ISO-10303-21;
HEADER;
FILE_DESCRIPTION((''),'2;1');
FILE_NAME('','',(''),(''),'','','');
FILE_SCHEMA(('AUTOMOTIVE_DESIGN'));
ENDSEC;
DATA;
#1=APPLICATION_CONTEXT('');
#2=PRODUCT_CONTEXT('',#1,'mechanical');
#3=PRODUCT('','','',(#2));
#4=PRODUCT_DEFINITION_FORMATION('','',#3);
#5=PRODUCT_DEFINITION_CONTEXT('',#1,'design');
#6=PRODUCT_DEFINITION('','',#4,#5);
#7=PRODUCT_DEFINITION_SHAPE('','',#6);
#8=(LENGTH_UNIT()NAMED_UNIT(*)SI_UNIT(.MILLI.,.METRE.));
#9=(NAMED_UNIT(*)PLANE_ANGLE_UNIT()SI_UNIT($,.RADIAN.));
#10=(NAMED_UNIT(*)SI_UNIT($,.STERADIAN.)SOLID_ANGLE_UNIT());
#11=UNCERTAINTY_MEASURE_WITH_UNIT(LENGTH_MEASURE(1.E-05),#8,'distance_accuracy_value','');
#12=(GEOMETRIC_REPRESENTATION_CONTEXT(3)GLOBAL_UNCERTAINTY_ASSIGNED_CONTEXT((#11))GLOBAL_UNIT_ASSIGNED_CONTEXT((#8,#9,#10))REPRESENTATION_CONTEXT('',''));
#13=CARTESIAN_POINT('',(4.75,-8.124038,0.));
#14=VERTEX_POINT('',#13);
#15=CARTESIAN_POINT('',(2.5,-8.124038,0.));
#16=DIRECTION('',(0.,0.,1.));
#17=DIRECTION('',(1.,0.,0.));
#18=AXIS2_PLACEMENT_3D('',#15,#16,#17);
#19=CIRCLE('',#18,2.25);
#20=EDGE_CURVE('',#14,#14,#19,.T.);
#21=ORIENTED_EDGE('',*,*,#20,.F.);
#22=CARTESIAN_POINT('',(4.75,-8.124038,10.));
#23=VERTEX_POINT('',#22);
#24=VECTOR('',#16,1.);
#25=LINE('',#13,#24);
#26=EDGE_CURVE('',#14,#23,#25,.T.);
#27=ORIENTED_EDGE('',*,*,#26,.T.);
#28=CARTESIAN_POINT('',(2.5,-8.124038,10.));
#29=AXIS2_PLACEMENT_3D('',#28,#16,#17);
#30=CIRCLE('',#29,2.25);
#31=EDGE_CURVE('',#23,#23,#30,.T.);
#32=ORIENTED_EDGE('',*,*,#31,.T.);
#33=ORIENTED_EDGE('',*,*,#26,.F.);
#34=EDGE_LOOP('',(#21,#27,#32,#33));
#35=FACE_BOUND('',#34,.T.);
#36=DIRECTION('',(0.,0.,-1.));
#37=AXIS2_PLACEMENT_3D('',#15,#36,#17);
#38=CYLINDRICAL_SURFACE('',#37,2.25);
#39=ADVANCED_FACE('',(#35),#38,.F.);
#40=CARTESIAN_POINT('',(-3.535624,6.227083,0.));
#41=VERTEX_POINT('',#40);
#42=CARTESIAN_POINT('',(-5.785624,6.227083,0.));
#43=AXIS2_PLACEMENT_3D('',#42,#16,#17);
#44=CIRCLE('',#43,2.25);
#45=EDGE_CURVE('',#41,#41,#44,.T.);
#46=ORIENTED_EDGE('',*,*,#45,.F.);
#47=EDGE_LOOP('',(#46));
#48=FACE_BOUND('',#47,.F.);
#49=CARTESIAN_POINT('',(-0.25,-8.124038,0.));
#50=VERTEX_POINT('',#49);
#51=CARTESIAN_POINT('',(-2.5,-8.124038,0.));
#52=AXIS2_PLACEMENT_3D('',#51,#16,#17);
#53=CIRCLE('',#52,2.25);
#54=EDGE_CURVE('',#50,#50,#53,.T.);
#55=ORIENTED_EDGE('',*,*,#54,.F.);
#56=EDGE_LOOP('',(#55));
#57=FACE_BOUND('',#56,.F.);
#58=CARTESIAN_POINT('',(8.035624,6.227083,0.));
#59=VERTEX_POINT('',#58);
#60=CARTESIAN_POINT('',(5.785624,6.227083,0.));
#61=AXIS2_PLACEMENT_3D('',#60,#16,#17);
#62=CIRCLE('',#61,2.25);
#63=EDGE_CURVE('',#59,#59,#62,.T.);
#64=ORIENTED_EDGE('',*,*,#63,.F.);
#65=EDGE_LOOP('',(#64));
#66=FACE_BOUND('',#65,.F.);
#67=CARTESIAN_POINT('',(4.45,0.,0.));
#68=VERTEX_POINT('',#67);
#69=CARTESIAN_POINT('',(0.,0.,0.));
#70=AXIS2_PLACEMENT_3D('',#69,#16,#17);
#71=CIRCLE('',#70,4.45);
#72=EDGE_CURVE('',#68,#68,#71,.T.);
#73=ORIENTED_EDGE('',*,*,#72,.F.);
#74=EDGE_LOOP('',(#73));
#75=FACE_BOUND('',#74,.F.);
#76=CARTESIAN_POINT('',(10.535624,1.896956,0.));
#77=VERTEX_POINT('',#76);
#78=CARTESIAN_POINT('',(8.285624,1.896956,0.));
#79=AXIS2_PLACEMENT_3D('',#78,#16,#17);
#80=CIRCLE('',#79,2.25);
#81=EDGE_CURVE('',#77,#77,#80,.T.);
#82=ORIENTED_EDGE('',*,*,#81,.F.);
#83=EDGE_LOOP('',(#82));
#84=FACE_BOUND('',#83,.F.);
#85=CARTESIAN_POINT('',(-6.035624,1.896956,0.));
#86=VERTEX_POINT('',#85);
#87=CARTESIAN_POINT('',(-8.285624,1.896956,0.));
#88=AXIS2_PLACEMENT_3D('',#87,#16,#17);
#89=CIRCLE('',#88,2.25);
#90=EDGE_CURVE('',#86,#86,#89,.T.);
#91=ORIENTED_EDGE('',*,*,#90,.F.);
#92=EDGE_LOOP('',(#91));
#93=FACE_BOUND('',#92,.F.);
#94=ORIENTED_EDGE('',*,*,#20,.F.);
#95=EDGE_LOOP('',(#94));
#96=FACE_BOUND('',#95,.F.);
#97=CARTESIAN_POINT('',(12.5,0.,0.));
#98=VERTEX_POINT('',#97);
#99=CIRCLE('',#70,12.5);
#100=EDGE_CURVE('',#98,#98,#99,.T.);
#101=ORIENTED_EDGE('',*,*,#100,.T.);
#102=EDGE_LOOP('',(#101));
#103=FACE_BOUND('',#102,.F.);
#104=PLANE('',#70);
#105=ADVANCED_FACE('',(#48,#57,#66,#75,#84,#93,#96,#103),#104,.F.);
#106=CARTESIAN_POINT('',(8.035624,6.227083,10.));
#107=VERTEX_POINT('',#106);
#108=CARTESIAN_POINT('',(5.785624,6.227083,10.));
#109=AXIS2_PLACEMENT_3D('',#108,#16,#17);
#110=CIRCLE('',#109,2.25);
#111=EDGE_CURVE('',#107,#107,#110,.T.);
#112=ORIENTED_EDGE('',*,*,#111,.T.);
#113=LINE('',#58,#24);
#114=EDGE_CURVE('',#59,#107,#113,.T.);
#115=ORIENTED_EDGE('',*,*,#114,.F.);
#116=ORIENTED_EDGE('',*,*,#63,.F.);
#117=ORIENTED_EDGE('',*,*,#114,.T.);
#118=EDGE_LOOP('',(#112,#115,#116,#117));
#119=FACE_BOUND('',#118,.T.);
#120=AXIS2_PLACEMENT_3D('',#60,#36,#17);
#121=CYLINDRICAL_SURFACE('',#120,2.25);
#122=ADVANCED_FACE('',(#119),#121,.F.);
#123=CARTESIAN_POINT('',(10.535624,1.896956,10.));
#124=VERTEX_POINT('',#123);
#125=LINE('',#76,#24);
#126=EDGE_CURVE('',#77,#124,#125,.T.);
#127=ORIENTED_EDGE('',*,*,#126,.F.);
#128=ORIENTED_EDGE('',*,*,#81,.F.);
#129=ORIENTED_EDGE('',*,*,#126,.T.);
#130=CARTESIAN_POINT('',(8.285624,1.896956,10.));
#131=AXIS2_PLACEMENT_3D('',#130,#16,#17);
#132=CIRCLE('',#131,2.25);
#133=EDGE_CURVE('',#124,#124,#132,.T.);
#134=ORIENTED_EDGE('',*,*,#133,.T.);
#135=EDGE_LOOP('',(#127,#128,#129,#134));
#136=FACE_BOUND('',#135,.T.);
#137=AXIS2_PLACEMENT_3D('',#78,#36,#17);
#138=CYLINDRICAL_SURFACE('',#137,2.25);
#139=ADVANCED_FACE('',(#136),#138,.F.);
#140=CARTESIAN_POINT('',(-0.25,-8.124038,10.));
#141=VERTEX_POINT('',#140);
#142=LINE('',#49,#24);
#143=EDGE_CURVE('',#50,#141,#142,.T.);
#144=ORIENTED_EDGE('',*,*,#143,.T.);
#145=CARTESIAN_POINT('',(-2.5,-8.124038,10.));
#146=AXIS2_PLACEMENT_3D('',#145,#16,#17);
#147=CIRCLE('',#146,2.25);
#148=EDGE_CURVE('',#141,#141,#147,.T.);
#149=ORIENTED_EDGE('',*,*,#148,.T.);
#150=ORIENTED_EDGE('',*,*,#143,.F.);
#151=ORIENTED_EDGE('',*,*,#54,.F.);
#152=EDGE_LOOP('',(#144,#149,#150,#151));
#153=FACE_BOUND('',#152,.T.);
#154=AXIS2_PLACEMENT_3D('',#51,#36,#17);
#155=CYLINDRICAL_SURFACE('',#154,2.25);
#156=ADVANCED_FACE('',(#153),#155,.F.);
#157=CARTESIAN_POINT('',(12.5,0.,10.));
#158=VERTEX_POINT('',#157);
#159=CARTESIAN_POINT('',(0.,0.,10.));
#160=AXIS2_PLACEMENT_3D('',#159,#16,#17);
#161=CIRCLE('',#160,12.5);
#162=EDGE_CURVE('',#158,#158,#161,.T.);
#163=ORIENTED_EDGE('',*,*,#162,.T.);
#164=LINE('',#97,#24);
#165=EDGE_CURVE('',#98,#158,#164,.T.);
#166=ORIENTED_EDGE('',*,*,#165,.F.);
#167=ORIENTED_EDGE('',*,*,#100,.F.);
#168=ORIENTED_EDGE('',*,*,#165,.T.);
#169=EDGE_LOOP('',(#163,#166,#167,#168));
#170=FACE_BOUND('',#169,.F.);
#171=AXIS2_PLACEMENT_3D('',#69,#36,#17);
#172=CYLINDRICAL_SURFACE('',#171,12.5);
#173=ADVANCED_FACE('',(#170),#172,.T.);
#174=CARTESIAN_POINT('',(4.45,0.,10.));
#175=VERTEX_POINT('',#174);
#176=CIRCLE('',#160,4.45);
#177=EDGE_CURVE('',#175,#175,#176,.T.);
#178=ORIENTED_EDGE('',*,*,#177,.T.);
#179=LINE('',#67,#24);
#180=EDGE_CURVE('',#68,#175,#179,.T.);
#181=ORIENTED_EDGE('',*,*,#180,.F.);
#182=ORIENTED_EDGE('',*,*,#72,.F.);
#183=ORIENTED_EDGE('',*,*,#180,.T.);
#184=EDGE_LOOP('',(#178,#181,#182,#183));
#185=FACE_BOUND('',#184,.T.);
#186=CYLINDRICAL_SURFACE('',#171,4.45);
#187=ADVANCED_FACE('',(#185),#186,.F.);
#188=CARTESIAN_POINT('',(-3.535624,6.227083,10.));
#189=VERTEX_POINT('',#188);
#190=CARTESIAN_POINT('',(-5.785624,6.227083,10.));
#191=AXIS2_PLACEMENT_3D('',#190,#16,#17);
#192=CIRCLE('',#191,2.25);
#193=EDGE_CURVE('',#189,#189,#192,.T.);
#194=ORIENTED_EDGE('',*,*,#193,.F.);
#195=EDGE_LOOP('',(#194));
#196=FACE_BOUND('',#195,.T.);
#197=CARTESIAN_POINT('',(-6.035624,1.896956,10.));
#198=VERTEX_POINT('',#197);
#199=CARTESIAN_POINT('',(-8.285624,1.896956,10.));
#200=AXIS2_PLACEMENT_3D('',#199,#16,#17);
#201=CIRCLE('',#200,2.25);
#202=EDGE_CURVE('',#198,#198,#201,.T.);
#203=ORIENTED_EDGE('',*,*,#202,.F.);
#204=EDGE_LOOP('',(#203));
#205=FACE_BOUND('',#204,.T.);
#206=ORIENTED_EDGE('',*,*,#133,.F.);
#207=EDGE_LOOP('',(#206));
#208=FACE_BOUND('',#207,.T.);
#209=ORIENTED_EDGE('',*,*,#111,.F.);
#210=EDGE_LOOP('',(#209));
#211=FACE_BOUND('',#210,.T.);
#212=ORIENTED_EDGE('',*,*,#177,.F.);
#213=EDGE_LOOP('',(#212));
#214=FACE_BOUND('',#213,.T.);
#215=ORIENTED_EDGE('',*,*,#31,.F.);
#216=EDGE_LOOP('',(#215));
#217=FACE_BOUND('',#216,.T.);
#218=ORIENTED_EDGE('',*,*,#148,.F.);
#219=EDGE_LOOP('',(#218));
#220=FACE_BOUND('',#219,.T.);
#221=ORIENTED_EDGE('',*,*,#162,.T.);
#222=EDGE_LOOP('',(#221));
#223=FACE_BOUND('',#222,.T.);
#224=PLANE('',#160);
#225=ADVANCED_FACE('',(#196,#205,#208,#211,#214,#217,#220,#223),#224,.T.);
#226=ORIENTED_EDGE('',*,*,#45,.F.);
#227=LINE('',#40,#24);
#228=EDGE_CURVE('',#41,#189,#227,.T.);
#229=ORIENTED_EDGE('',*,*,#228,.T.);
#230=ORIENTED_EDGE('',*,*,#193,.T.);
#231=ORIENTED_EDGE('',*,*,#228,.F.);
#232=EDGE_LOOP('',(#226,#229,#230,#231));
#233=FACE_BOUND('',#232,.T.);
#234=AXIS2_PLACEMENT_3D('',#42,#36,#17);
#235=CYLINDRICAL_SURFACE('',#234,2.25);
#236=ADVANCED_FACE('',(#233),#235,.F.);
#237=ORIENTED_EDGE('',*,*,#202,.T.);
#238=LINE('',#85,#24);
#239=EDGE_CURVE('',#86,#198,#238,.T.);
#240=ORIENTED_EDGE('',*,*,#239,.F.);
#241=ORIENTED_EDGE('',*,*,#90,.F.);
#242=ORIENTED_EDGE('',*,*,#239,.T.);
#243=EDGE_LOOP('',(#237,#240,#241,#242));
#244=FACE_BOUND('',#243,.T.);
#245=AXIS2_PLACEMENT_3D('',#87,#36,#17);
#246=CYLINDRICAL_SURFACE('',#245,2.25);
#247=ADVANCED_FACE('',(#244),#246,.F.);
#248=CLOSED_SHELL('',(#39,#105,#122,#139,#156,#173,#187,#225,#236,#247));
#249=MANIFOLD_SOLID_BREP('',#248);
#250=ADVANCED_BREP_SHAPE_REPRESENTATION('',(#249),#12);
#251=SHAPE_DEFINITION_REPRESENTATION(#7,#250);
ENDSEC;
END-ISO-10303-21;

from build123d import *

# Parameters (mm, degrees)
F0_R     = 12.5
F0_R_2   = 2.25
F0_R_3   = 4.45
F1_DEPTH = 10


with BuildPart() as f1:
    # F0 (on Top) → F1 (new body)
    with BuildSketch(Plane.XY):
        Circle(F0_R)
        with Locations((-2.5, -8.124038)):
            Circle(F0_R_2, mode=Mode.SUBTRACT)
        with Locations((2.5, -8.124038)):
            Circle(F0_R_2, mode=Mode.SUBTRACT)
        with Locations((-8.285624, 1.896956)):
            Circle(F0_R_2, mode=Mode.SUBTRACT)
        with Locations((-5.785624, 6.227083)):
            Circle(F0_R_2, mode=Mode.SUBTRACT)
        Circle(F0_R_3, mode=Mode.SUBTRACT)
        with Locations((5.785624, 6.227083)):
            Circle(F0_R_2, mode=Mode.SUBTRACT)
        with Locations((8.285624, 1.896956)):
            Circle(F0_R_2, mode=Mode.SUBTRACT)
    extrude(amount=F1_DEPTH)


solid = f1.part
